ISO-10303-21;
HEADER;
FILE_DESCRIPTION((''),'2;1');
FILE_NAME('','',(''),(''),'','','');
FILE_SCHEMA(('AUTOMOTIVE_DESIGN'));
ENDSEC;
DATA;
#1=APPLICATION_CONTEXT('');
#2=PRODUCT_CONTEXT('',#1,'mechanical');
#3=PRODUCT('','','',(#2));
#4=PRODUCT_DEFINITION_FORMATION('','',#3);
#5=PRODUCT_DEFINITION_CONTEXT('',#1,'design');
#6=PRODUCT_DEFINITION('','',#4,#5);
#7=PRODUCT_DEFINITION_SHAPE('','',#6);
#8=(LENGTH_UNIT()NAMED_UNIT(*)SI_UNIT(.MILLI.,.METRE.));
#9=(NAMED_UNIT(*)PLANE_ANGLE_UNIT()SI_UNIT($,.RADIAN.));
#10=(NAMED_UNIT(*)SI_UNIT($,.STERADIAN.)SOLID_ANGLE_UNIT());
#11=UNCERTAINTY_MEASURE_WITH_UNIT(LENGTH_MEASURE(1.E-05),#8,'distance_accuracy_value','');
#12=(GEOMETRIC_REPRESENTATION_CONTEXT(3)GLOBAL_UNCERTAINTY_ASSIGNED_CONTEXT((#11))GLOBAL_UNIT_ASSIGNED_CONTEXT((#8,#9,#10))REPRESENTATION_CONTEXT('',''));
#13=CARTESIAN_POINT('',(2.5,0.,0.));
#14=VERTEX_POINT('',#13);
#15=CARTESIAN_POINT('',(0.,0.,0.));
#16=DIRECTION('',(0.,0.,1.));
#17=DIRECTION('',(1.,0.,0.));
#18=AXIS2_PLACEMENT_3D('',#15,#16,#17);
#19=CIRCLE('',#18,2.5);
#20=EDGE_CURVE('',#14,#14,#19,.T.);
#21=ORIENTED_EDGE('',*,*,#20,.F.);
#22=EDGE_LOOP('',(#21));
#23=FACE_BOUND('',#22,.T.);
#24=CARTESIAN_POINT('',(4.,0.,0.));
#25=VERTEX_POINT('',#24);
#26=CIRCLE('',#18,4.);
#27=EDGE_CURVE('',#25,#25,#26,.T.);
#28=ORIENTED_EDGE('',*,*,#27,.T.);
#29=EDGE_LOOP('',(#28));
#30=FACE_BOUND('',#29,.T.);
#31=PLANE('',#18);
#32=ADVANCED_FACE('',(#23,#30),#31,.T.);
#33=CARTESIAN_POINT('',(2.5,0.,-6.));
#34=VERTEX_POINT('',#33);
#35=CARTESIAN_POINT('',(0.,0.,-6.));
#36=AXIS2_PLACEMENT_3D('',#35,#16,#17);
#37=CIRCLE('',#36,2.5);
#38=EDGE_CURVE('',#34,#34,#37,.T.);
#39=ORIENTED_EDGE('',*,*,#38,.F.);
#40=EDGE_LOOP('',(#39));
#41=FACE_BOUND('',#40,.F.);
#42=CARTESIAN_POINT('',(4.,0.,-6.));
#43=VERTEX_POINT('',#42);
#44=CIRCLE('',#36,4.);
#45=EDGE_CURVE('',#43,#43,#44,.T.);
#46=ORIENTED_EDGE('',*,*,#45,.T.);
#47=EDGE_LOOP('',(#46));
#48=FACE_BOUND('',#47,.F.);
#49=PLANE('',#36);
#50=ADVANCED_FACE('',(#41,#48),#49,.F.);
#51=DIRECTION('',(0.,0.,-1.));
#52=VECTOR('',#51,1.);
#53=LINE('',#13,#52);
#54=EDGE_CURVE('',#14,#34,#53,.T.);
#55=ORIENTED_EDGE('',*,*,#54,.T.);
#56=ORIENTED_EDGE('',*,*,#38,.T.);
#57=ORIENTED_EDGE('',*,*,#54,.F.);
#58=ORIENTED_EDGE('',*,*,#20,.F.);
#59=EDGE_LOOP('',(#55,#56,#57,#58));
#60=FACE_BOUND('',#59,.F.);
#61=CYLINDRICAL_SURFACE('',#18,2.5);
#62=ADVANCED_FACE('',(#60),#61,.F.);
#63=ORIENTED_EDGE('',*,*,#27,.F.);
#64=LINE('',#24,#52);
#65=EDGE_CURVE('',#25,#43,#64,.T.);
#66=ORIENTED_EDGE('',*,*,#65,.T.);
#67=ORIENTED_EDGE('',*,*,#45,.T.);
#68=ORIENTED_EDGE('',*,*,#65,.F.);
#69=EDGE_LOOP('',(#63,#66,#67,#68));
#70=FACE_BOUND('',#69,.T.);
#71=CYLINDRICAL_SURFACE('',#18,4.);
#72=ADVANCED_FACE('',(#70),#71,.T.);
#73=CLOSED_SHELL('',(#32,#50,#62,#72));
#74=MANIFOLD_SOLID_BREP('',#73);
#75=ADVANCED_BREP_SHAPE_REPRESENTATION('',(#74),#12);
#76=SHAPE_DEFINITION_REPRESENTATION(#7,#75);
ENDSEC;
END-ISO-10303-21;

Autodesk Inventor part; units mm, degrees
ref_plane "YZ Plane" through (0, 0, 0) normal (1, 0, 0) x (0, 1, 0)
ref_plane "XZ Plane" through (0, 0, 0) normal (0, 1, 0) x (-1, 0, 0)
ref_plane "XY Plane" through (0, 0, 0) normal (0, 0, 1) x (1, 0, 0)
sketch "Skizze1" plane through (0, 0, 0) normal (0, 0, 1) x (1, 0, 0)
  circle A0 centre (0, 0) radius 4
  circle A1 centre (0, 0) radius 2.5
  dimension "d0" = 8
  dimension "d1" = 5
extrude "Extrusion1" add sketch "Skizze1" against normal blind 6
properties part number "Gleitlager" material "Stahl, Guss"
